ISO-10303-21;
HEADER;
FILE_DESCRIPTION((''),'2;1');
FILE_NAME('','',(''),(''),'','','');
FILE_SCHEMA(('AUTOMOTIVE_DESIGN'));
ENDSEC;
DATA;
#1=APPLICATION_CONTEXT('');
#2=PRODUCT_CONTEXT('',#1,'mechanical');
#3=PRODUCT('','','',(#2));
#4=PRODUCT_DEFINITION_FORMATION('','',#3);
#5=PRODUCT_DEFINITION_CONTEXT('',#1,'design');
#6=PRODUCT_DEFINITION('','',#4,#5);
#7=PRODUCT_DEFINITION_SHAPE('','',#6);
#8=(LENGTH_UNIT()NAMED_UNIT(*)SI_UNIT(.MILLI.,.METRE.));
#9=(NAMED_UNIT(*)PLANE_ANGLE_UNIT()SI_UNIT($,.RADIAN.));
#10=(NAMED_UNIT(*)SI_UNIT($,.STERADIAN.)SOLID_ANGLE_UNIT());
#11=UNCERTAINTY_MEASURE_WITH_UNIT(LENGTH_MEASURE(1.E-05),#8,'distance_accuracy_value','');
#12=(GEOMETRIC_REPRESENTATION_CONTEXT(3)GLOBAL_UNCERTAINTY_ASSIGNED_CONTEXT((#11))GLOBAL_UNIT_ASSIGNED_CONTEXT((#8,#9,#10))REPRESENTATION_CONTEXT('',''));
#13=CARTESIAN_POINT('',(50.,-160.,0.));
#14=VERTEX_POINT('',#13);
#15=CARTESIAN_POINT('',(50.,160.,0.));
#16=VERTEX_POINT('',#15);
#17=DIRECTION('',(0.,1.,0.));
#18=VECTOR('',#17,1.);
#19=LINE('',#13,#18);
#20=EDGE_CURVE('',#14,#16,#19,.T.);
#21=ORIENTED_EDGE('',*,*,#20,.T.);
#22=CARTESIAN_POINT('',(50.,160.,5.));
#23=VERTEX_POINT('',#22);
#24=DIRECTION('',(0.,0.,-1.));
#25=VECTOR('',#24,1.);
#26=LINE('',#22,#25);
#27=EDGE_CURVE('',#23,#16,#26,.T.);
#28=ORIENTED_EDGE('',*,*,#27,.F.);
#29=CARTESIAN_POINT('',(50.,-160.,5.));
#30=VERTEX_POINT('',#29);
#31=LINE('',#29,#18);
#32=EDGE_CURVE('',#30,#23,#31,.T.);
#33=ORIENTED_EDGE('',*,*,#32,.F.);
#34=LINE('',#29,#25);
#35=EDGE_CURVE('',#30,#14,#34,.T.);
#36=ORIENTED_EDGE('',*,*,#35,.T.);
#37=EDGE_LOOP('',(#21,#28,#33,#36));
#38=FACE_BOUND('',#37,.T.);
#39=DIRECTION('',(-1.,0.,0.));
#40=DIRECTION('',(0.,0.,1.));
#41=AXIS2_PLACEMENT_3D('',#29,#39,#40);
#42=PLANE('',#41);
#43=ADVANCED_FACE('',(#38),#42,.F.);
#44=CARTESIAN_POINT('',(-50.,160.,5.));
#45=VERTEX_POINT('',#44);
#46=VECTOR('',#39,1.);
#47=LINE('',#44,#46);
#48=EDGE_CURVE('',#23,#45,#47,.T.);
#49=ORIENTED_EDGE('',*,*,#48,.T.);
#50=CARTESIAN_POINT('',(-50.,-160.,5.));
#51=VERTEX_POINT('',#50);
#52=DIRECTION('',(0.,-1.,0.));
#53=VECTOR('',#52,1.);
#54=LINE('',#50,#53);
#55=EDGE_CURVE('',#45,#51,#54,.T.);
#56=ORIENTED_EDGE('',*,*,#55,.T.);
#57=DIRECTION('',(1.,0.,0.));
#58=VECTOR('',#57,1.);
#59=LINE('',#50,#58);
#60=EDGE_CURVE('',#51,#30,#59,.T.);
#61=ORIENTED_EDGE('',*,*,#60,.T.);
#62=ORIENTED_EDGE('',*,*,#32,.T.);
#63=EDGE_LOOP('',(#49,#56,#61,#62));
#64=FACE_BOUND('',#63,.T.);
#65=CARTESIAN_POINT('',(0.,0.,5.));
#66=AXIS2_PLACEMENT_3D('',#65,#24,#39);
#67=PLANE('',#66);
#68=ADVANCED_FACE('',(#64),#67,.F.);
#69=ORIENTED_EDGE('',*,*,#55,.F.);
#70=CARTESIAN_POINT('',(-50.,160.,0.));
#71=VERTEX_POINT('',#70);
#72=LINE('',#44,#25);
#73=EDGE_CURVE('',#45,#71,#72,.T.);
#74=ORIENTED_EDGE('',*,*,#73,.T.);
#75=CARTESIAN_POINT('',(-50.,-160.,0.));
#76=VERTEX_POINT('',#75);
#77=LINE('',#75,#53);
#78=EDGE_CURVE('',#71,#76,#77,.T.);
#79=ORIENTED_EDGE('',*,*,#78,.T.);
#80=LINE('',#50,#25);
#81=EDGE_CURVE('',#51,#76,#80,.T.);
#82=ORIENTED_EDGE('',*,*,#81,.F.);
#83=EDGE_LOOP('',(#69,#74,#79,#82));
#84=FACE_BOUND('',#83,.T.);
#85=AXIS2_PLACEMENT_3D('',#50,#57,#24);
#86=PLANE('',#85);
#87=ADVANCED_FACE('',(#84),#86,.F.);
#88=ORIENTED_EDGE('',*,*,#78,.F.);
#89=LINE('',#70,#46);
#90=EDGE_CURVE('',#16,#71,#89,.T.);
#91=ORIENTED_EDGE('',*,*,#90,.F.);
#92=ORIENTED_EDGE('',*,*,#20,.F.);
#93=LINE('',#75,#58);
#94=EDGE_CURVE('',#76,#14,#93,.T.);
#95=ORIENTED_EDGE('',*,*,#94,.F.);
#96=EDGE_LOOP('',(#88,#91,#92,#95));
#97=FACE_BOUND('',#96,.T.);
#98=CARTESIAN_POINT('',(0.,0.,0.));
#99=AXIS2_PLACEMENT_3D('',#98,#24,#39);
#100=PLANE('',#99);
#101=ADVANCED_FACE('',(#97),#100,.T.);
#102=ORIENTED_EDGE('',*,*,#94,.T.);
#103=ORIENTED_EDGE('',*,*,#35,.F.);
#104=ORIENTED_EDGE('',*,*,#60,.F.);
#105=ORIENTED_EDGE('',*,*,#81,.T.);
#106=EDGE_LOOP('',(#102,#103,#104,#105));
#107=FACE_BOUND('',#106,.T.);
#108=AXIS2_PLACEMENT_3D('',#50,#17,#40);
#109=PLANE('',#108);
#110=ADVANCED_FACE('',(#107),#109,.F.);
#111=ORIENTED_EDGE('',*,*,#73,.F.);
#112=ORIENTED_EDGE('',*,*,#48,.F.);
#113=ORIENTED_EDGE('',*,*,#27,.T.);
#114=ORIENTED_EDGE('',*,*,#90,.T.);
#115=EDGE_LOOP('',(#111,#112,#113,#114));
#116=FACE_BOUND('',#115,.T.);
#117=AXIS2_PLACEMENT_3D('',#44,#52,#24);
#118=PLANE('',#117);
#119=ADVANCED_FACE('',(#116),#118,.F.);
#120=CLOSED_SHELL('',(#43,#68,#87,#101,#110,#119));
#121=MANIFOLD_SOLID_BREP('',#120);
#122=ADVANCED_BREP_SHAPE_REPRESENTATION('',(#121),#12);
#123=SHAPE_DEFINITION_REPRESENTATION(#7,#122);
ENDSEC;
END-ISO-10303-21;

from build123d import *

# Parameters (mm, degrees)
SKETCH1_W           = 100
SKETCH1_H           = 320
BOSS_EXTRUDE1_DEPTH = 5


with BuildPart() as part:
    # Sketch1 → Boss-Extrude1 (new body)
    with BuildSketch(Plane.XY):
        Rectangle(SKETCH1_W, SKETCH1_H)
    extrude(amount=BOSS_EXTRUDE1_DEPTH)


solid = part.part
